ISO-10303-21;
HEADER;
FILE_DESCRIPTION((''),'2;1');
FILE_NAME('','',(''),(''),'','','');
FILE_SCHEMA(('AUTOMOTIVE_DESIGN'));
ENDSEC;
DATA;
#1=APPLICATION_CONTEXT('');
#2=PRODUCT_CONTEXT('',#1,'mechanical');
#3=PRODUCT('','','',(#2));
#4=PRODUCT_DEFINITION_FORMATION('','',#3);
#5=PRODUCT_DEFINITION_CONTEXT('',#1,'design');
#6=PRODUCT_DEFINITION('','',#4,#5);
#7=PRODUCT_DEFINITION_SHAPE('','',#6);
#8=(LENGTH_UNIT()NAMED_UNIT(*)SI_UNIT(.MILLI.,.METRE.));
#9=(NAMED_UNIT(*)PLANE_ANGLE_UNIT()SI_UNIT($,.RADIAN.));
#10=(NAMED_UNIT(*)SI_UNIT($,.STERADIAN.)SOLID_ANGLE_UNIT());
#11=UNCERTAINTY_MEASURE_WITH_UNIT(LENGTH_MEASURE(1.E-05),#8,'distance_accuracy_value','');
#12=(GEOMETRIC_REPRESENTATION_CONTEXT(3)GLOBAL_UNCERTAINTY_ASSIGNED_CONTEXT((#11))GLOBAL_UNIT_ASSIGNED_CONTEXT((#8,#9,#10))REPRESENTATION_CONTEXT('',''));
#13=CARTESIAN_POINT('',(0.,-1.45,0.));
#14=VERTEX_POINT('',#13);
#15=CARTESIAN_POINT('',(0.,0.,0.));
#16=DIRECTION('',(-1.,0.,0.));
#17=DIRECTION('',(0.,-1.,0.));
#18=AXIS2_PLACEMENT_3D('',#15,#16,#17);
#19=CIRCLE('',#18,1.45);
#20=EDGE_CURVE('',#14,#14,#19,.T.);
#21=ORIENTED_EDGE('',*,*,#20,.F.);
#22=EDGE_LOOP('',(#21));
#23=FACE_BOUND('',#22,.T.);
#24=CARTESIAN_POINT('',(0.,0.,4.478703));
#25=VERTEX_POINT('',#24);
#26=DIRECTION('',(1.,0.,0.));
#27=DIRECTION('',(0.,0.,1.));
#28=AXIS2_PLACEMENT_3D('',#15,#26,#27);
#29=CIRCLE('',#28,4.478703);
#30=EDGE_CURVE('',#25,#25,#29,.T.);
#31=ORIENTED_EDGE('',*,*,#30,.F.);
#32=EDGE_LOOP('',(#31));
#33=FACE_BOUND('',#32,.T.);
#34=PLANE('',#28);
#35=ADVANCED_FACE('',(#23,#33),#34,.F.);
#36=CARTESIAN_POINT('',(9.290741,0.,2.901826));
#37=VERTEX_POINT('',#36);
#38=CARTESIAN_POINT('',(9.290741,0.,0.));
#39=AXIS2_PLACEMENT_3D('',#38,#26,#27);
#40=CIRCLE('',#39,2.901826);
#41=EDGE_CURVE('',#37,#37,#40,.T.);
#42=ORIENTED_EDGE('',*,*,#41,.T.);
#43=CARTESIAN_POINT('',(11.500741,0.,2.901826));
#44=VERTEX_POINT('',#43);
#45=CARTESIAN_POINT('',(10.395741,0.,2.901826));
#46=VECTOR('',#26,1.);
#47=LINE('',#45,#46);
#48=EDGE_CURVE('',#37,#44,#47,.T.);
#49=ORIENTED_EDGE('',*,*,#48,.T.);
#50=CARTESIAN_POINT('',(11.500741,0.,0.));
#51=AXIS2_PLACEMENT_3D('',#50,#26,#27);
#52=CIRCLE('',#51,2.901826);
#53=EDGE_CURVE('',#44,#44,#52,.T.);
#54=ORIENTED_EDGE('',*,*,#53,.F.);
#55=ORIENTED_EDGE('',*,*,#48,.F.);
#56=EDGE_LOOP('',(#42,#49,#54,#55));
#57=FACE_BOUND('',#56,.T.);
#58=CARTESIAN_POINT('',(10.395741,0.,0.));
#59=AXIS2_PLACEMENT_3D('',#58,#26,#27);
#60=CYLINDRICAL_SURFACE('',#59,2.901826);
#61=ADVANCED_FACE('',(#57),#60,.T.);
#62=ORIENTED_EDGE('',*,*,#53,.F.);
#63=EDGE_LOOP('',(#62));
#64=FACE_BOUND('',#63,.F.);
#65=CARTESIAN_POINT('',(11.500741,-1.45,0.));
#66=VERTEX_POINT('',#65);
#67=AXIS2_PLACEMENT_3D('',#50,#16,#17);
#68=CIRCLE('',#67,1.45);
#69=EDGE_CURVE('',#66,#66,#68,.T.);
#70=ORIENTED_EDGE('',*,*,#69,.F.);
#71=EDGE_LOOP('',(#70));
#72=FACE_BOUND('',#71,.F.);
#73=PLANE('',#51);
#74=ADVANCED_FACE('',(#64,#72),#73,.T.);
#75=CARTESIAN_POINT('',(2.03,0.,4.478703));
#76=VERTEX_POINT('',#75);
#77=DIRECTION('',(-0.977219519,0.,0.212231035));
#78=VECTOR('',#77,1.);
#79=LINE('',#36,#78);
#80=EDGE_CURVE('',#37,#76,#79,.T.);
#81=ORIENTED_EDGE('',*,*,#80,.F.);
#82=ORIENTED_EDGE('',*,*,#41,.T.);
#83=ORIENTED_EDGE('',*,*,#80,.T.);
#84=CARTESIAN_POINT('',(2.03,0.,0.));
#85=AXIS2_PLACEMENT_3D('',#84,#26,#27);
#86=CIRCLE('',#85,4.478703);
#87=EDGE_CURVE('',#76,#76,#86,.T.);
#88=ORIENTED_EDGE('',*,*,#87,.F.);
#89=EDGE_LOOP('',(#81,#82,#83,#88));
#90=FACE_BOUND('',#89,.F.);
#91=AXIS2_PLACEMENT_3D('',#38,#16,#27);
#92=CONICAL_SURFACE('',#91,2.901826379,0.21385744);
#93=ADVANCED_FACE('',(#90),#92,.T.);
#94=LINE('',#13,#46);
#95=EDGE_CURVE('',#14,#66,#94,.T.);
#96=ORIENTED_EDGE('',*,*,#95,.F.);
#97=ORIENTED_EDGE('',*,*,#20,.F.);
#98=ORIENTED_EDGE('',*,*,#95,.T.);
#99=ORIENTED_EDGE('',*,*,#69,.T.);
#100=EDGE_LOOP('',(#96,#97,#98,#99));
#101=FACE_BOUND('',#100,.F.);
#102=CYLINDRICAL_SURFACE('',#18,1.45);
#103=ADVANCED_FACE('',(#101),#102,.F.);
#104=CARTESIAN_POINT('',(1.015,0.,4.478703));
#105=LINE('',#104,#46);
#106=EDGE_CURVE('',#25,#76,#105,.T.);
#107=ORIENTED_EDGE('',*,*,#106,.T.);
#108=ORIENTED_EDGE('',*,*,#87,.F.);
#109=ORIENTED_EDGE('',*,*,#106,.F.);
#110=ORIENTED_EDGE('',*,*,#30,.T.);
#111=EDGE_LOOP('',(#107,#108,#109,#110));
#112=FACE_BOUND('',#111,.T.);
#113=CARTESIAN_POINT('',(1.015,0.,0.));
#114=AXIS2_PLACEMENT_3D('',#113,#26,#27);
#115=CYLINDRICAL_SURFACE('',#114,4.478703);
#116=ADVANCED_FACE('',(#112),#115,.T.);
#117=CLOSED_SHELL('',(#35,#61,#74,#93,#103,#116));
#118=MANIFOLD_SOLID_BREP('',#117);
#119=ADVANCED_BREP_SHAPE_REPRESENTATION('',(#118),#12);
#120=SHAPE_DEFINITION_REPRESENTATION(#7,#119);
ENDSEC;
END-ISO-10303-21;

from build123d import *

# Parameters (mm, degrees)
F0_W     = 2.03
F0_H     = 4.478702968
F0_W_2   = 2.21
F0_H_2   = 2.9018263791
F2_R     = 1.45
F3_DEPTH = 25


with BuildPart() as f1:
    # F0 (on Front) → F1 (revolve)
    with BuildSketch(Plane.XZ):
        with Locations((1.015, 2.239351484)):
            Rectangle(F0_W, F0_H)
        Polygon((2.03, 4.478702968), (2.03, 0), (9.2907410244, 0), (9.2907410244, 2.9018263791), align=None)
        with Locations((10.3957410244, 1.4509131895)):
            Rectangle(F0_W_2, F0_H_2)
    revolve(axis=Axis((5.7503705122, 0, 0), (1, 0, 0)))

    # F2 (on face) → F3 (cut)
    with BuildSketch(Plane(origin=(0, 0, 0), x_dir=(0, -1, 0), z_dir=(-1, 0, 0))):
        Circle(F2_R)
    extrude(amount=-F3_DEPTH, mode=Mode.SUBTRACT)


solid = f1.part
